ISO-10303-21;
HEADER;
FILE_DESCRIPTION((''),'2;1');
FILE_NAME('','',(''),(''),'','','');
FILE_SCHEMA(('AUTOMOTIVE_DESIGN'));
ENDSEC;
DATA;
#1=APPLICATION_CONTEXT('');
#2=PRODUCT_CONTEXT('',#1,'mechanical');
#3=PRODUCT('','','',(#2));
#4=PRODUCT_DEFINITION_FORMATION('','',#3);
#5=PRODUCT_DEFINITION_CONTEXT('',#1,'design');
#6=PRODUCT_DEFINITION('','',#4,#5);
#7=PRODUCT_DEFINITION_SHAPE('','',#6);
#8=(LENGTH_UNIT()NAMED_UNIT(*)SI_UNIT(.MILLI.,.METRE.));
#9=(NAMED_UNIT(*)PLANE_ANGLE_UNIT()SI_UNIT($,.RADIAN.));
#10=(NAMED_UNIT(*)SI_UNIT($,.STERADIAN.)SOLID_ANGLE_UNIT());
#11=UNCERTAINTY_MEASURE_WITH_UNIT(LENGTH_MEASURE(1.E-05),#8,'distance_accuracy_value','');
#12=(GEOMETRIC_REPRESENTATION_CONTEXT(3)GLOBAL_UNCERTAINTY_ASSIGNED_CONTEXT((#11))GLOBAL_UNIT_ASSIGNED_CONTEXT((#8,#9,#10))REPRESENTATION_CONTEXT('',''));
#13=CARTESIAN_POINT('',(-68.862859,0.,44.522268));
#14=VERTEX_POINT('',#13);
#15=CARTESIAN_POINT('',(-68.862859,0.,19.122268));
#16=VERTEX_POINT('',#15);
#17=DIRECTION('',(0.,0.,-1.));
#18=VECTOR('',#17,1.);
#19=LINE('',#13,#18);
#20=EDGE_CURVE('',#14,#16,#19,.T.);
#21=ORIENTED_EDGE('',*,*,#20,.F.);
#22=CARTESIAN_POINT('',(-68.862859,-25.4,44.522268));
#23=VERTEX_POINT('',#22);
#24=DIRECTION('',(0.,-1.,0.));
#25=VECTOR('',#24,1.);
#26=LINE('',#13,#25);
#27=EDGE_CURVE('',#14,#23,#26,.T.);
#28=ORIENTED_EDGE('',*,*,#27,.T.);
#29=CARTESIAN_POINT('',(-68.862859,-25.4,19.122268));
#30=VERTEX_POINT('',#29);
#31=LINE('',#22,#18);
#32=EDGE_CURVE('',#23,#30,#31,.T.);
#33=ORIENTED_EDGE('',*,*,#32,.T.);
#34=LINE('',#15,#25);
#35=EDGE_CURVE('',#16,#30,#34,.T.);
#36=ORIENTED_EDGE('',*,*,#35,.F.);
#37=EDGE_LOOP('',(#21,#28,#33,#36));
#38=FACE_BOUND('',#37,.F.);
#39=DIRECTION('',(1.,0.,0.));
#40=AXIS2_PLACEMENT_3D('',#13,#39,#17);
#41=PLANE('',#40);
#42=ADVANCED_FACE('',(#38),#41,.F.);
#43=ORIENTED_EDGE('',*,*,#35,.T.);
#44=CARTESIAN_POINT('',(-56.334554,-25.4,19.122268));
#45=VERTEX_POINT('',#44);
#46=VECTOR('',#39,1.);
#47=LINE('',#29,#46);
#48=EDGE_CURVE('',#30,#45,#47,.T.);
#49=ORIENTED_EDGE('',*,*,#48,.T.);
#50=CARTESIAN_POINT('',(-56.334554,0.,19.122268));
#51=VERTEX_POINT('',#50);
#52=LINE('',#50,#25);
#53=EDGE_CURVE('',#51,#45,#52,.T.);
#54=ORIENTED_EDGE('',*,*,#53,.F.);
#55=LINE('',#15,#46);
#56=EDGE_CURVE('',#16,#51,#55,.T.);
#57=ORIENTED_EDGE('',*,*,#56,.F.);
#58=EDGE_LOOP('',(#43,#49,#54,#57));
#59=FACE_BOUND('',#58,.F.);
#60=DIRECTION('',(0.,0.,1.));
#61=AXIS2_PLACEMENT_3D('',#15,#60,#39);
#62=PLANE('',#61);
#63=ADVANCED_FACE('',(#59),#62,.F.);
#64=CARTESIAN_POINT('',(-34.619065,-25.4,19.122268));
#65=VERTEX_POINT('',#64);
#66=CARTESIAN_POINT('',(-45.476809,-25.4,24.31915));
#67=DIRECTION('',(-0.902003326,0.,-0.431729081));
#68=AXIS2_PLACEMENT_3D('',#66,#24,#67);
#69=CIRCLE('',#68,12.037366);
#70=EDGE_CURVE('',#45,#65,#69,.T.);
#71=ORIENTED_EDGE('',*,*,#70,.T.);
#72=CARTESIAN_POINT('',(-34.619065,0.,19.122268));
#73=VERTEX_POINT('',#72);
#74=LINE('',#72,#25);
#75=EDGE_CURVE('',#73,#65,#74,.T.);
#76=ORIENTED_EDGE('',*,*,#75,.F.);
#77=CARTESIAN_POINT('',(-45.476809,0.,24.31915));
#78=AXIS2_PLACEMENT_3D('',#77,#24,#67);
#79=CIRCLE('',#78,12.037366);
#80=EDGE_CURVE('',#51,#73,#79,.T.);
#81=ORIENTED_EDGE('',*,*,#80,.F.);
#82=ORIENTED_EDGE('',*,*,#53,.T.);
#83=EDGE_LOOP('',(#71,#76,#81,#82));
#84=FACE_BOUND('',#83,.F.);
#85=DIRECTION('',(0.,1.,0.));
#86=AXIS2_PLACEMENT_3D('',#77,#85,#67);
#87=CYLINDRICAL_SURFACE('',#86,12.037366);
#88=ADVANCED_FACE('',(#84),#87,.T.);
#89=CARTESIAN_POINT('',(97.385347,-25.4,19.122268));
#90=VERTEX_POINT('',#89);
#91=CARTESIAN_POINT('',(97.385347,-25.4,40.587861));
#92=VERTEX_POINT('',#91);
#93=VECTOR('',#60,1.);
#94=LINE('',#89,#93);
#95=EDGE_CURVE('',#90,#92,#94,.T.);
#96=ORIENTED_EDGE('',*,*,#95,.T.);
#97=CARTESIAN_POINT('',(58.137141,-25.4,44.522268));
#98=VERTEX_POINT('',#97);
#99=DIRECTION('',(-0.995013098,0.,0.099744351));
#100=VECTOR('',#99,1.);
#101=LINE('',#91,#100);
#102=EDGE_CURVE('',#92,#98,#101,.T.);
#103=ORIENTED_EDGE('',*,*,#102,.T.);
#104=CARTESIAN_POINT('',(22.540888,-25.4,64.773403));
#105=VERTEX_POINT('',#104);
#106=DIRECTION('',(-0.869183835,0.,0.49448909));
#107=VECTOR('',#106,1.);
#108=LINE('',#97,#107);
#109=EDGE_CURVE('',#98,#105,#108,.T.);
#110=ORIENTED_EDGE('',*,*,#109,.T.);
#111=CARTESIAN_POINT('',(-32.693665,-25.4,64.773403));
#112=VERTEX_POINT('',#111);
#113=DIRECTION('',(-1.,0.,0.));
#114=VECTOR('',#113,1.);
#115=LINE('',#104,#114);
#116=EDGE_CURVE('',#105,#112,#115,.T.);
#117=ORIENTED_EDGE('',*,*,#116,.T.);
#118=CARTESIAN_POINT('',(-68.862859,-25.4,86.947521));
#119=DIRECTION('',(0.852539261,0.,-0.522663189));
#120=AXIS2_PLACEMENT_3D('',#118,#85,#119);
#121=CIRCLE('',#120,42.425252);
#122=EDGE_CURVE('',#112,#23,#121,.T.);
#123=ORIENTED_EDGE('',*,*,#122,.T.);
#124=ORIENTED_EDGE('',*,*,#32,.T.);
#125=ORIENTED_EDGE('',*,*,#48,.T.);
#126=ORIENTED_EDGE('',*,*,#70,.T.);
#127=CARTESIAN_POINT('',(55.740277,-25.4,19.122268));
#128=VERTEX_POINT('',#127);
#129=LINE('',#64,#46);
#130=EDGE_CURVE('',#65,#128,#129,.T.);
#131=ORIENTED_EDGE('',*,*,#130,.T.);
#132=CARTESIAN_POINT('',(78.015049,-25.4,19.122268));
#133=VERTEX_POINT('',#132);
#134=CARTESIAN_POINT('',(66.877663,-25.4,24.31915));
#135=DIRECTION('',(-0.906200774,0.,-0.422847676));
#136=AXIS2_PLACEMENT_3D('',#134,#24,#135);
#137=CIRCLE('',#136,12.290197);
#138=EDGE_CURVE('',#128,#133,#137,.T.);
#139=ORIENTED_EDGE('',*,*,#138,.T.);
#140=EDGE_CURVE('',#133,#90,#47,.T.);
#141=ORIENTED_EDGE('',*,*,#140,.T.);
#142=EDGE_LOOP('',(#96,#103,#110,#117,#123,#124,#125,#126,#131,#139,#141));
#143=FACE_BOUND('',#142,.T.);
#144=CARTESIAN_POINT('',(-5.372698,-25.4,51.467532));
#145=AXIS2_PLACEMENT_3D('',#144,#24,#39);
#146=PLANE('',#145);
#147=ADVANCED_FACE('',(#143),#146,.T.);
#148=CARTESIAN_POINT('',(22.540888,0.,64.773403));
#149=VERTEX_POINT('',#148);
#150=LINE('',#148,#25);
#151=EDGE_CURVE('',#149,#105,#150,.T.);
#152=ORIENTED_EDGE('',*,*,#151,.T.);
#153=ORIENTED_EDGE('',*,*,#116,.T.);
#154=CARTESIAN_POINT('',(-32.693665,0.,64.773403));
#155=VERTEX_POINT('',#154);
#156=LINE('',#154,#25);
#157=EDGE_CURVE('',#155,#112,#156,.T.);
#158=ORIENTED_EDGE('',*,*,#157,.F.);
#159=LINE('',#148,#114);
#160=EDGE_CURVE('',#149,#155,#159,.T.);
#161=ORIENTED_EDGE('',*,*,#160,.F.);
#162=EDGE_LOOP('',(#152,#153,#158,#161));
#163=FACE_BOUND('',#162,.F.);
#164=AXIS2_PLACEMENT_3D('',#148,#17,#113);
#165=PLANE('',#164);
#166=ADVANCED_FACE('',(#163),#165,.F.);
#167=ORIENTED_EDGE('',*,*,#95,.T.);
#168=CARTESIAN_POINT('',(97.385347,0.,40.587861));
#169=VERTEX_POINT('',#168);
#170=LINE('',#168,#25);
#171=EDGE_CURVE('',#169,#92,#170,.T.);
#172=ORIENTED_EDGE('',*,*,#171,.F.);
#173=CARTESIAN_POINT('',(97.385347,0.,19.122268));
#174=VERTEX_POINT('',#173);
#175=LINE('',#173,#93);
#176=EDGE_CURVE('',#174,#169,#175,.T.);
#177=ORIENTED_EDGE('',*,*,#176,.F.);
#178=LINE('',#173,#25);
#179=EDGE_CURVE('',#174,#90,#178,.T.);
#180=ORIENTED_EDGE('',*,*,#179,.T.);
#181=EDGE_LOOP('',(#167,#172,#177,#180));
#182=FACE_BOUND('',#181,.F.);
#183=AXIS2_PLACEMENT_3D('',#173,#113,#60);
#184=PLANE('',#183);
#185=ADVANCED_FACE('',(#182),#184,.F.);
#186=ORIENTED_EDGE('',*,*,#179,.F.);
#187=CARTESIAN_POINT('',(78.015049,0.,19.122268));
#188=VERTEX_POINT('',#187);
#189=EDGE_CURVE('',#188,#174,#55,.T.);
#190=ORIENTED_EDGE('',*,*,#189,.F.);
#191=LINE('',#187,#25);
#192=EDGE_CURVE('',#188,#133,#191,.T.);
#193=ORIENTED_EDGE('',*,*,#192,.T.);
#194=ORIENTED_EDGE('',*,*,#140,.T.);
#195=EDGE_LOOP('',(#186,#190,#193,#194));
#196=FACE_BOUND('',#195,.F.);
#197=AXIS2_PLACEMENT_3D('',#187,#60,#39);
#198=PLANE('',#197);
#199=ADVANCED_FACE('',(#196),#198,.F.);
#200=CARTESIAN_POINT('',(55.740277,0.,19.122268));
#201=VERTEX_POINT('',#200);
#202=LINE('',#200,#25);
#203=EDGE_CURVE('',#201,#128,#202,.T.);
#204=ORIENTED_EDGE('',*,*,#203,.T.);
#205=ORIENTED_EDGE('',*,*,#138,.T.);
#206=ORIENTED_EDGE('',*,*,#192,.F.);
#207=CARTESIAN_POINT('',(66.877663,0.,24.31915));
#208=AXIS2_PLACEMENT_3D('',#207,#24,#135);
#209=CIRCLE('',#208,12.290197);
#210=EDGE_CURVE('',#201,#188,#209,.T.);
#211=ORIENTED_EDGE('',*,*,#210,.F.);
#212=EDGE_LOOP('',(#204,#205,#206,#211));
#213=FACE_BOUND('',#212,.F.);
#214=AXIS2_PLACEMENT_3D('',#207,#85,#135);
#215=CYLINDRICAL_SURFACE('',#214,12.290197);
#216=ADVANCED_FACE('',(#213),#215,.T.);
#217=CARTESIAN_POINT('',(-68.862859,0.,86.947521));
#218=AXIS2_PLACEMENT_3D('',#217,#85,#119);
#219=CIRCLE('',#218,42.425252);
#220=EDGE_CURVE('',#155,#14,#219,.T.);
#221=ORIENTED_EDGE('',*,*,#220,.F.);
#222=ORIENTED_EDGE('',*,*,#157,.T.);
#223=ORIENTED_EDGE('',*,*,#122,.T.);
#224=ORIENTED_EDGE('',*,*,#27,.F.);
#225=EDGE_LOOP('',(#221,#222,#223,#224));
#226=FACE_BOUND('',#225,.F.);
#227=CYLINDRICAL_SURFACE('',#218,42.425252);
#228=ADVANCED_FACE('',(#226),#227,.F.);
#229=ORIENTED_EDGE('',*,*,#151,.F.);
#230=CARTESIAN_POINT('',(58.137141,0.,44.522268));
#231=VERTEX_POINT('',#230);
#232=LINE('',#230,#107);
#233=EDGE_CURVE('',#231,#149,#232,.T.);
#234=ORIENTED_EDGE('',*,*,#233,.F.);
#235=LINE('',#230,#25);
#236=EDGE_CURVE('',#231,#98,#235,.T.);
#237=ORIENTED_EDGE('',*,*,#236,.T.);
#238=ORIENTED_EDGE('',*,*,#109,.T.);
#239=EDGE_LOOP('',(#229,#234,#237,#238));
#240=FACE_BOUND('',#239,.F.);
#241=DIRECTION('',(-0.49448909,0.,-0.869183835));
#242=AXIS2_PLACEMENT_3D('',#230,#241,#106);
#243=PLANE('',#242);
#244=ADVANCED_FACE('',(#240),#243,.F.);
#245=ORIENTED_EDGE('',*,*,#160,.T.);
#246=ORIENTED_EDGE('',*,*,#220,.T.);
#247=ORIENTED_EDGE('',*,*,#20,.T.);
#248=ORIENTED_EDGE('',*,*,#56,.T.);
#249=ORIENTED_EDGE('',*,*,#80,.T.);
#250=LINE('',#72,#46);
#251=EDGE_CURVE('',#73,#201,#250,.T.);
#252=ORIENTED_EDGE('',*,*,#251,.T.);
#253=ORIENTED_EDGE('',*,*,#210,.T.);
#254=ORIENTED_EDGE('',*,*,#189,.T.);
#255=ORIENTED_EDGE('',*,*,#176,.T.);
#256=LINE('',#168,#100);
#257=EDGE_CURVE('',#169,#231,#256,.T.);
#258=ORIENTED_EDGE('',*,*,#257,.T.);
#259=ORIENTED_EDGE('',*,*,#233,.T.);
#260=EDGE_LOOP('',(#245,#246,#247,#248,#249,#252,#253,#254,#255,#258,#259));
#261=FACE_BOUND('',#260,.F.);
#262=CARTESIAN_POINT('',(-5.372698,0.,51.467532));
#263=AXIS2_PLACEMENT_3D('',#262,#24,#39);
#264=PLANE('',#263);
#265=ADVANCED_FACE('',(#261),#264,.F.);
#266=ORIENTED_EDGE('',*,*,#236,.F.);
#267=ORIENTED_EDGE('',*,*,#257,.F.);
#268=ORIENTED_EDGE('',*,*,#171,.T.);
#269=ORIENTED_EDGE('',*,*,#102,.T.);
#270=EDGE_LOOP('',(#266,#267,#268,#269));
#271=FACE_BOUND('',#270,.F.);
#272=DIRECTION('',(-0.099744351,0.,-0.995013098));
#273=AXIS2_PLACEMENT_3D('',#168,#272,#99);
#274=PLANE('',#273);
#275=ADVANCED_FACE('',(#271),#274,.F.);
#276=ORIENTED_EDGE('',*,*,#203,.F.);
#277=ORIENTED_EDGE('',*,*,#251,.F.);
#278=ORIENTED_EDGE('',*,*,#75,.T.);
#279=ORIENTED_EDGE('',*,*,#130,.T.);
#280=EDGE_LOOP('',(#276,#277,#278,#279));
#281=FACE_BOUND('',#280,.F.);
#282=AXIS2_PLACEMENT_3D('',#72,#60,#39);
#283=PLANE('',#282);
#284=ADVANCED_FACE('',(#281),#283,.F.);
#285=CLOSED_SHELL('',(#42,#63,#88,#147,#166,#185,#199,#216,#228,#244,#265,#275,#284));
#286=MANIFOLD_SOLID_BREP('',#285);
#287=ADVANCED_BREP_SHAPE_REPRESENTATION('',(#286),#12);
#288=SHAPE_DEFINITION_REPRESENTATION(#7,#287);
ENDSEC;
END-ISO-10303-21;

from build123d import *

# Parameters (mm, degrees)
F1_DEPTH = 25.4
F2_DEPTH = 25.4
F3_DEPTH = 25.4


with BuildPart() as f1:
    # F0 (on Front) → F1 (new body)
    with BuildSketch(Plane.XZ):
        with BuildLine():
            ThreePointArc((-32.6936654747, 64.7734031081), (-48.13655305, 49.9296563149), (-68.8628588319, 44.5222683907))
            Line((-68.8628588319, 44.5222683907), (58.1371411681, 44.5222683907))
            Line((58.1371411681, 44.5222683907), (22.5408878177, 64.7734031081))
            Line((22.5408878177, 64.7734031081), (-32.6936654747, 64.7734031081))
        make_face()
        with BuildLine():
            Line((58.1371411681, 44.5222683907), (-68.8628588319, 44.5222683907))
            Line((-68.8628588319, 44.5222683907), (-68.8628588319, 19.1222683907))
            Line((-68.8628588319, 19.1222683907), (-56.3345537444, 19.1222683907))
            ThreePointArc((-56.3345537444, 19.1222683907), (-48.1413485784, 36.0579067807), (-33.43944267, 24.3191495538))
            ThreePointArc((-33.43944267, 24.3191495538), (-33.7380519171, 21.6546101194), (-34.6190645437, 19.1222683907))
            Line((-34.6190645437, 19.1222683907), (55.7402772585, 19.1222683907))
            ThreePointArc((55.7402772585, 19.1222683907), (54.7678046883, 26.416830746), (58.1371411681, 32.9593008102))
            Line((58.1371411681, 32.9593008102), (58.1371411681, 44.5222683907))
        make_face()
    extrude(amount=F1_DEPTH)

    # F0 (on Front) → F2 (join)
    with BuildSketch(Plane.XZ):
        with BuildLine():
            ThreePointArc((-32.6936654747, 64.7734031081), (-48.13655305, 49.9296563149), (-68.8628588319, 44.5222683907))
            Line((-68.8628588319, 44.5222683907), (58.1371411681, 44.5222683907))
            Line((58.1371411681, 44.5222683907), (22.5408878177, 64.7734031081))
            Line((22.5408878177, 64.7734031081), (-32.6936654747, 64.7734031081))
        make_face()
        with BuildLine():
            Line((58.1371411681, 44.5222683907), (-68.8628588319, 44.5222683907))
            Line((-68.8628588319, 44.5222683907), (-68.8628588319, 19.1222683907))
            Line((-68.8628588319, 19.1222683907), (-56.3345537444, 19.1222683907))
            ThreePointArc((-56.3345537444, 19.1222683907), (-48.1413485784, 36.0579067807), (-33.43944267, 24.3191495538))
            ThreePointArc((-33.43944267, 24.3191495538), (-33.7380519171, 21.6546101194), (-34.6190645437, 19.1222683907))
            Line((-34.6190645437, 19.1222683907), (55.7402772585, 19.1222683907))
            ThreePointArc((55.7402772585, 19.1222683907), (54.7678046883, 26.416830746), (58.1371411681, 32.9593008102))
            Line((58.1371411681, 32.9593008102), (58.1371411681, 44.5222683907))
        make_face()
        with BuildLine():
            Line((97.3853468895, 40.5878610909), (58.1371411681, 44.5222683907))
            Line((58.1371411681, 44.5222683907), (58.1371411681, 32.9593008102))
            ThreePointArc((58.1371411681, 32.9593008102), (71.5481129353, 35.6873436348), (79.1678599605, 24.3191495538))
            ThreePointArc((79.1678599605, 24.3191495538), (78.8761964322, 21.6575453897), (78.0150490125, 19.1222683907))
            Line((78.0150490125, 19.1222683907), (97.3853468895, 19.1222683907))
            Line((97.3853468895, 19.1222683907), (97.3853468895, 23.5926117748))
            Line((97.3853468895, 23.5926117748), (97.3853468895, 40.5878610909))
        make_face()
        with BuildLine():
            ThreePointArc((79.1678599605, 24.3191495538), (71.5481129353, 35.6873436348), (58.1371411681, 32.9593008102))
            Line((58.1371411681, 32.9593008102), (58.1371411681, 19.1222683907))
            Line((58.1371411681, 19.1222683907), (78.0150490125, 19.1222683907))
            ThreePointArc((78.0150490125, 19.1222683907), (78.8761964322, 21.6575453897), (79.1678599605, 24.3191495538))
        make_face()
        with BuildLine():
            Line((58.1371411681, 19.1222683907), (58.1371411681, 32.9593008102))
            ThreePointArc((58.1371411681, 32.9593008102), (54.7678046883, 26.416830746), (55.7402772585, 19.1222683907))
            Line((55.7402772585, 19.1222683907), (58.1371411681, 19.1222683907))
        make_face()
        with BuildLine():
            ThreePointArc((-33.43944267, 24.3191495538), (-48.1413485784, 36.0579067807), (-56.3345537444, 19.1222683907))
            Line((-56.3345537444, 19.1222683907), (-34.6190645437, 19.1222683907))
            ThreePointArc((-34.6190645437, 19.1222683907), (-33.7380519171, 21.6546101194), (-33.43944267, 24.3191495538))
        make_face()
        with BuildLine():
            Line((-34.6190645437, 19.1222683907), (-56.3345537444, 19.1222683907))
            ThreePointArc((-56.3345537444, 19.1222683907), (-45.476809144, 12.2817830798), (-34.6190645437, 19.1222683907))
        make_face()
        with BuildLine():
            Line((78.0150490125, 19.1222683907), (58.1371411681, 19.1222683907))
            Line((58.1371411681, 19.1222683907), (55.7402772585, 19.1222683907))
            ThreePointArc((55.7402772585, 19.1222683907), (66.8776631355, 12.0289527288), (78.0150490125, 19.1222683907))
        make_face()
    extrude(amount=F2_DEPTH)

    # F0 (on Front) → F3 (join)
    with BuildSketch(Plane.XZ):
        with BuildLine():
            Line((97.3853468895, 40.5878610909), (58.1371411681, 44.5222683907))
            Line((58.1371411681, 44.5222683907), (58.1371411681, 32.9593008102))
            ThreePointArc((58.1371411681, 32.9593008102), (71.5481129353, 35.6873436348), (79.1678599605, 24.3191495538))
            ThreePointArc((79.1678599605, 24.3191495538), (78.8761964322, 21.6575453897), (78.0150490125, 19.1222683907))
            Line((78.0150490125, 19.1222683907), (97.3853468895, 19.1222683907))
            Line((97.3853468895, 19.1222683907), (97.3853468895, 23.5926117748))
            Line((97.3853468895, 23.5926117748), (97.3853468895, 40.5878610909))
        make_face()
        with BuildLine():
            ThreePointArc((79.1678599605, 24.3191495538), (71.5481129353, 35.6873436348), (58.1371411681, 32.9593008102))
            Line((58.1371411681, 32.9593008102), (58.1371411681, 19.1222683907))
            Line((58.1371411681, 19.1222683907), (78.0150490125, 19.1222683907))
            ThreePointArc((78.0150490125, 19.1222683907), (78.8761964322, 21.6575453897), (79.1678599605, 24.3191495538))
        make_face()
    extrude(amount=F3_DEPTH)


solid = f1.part
